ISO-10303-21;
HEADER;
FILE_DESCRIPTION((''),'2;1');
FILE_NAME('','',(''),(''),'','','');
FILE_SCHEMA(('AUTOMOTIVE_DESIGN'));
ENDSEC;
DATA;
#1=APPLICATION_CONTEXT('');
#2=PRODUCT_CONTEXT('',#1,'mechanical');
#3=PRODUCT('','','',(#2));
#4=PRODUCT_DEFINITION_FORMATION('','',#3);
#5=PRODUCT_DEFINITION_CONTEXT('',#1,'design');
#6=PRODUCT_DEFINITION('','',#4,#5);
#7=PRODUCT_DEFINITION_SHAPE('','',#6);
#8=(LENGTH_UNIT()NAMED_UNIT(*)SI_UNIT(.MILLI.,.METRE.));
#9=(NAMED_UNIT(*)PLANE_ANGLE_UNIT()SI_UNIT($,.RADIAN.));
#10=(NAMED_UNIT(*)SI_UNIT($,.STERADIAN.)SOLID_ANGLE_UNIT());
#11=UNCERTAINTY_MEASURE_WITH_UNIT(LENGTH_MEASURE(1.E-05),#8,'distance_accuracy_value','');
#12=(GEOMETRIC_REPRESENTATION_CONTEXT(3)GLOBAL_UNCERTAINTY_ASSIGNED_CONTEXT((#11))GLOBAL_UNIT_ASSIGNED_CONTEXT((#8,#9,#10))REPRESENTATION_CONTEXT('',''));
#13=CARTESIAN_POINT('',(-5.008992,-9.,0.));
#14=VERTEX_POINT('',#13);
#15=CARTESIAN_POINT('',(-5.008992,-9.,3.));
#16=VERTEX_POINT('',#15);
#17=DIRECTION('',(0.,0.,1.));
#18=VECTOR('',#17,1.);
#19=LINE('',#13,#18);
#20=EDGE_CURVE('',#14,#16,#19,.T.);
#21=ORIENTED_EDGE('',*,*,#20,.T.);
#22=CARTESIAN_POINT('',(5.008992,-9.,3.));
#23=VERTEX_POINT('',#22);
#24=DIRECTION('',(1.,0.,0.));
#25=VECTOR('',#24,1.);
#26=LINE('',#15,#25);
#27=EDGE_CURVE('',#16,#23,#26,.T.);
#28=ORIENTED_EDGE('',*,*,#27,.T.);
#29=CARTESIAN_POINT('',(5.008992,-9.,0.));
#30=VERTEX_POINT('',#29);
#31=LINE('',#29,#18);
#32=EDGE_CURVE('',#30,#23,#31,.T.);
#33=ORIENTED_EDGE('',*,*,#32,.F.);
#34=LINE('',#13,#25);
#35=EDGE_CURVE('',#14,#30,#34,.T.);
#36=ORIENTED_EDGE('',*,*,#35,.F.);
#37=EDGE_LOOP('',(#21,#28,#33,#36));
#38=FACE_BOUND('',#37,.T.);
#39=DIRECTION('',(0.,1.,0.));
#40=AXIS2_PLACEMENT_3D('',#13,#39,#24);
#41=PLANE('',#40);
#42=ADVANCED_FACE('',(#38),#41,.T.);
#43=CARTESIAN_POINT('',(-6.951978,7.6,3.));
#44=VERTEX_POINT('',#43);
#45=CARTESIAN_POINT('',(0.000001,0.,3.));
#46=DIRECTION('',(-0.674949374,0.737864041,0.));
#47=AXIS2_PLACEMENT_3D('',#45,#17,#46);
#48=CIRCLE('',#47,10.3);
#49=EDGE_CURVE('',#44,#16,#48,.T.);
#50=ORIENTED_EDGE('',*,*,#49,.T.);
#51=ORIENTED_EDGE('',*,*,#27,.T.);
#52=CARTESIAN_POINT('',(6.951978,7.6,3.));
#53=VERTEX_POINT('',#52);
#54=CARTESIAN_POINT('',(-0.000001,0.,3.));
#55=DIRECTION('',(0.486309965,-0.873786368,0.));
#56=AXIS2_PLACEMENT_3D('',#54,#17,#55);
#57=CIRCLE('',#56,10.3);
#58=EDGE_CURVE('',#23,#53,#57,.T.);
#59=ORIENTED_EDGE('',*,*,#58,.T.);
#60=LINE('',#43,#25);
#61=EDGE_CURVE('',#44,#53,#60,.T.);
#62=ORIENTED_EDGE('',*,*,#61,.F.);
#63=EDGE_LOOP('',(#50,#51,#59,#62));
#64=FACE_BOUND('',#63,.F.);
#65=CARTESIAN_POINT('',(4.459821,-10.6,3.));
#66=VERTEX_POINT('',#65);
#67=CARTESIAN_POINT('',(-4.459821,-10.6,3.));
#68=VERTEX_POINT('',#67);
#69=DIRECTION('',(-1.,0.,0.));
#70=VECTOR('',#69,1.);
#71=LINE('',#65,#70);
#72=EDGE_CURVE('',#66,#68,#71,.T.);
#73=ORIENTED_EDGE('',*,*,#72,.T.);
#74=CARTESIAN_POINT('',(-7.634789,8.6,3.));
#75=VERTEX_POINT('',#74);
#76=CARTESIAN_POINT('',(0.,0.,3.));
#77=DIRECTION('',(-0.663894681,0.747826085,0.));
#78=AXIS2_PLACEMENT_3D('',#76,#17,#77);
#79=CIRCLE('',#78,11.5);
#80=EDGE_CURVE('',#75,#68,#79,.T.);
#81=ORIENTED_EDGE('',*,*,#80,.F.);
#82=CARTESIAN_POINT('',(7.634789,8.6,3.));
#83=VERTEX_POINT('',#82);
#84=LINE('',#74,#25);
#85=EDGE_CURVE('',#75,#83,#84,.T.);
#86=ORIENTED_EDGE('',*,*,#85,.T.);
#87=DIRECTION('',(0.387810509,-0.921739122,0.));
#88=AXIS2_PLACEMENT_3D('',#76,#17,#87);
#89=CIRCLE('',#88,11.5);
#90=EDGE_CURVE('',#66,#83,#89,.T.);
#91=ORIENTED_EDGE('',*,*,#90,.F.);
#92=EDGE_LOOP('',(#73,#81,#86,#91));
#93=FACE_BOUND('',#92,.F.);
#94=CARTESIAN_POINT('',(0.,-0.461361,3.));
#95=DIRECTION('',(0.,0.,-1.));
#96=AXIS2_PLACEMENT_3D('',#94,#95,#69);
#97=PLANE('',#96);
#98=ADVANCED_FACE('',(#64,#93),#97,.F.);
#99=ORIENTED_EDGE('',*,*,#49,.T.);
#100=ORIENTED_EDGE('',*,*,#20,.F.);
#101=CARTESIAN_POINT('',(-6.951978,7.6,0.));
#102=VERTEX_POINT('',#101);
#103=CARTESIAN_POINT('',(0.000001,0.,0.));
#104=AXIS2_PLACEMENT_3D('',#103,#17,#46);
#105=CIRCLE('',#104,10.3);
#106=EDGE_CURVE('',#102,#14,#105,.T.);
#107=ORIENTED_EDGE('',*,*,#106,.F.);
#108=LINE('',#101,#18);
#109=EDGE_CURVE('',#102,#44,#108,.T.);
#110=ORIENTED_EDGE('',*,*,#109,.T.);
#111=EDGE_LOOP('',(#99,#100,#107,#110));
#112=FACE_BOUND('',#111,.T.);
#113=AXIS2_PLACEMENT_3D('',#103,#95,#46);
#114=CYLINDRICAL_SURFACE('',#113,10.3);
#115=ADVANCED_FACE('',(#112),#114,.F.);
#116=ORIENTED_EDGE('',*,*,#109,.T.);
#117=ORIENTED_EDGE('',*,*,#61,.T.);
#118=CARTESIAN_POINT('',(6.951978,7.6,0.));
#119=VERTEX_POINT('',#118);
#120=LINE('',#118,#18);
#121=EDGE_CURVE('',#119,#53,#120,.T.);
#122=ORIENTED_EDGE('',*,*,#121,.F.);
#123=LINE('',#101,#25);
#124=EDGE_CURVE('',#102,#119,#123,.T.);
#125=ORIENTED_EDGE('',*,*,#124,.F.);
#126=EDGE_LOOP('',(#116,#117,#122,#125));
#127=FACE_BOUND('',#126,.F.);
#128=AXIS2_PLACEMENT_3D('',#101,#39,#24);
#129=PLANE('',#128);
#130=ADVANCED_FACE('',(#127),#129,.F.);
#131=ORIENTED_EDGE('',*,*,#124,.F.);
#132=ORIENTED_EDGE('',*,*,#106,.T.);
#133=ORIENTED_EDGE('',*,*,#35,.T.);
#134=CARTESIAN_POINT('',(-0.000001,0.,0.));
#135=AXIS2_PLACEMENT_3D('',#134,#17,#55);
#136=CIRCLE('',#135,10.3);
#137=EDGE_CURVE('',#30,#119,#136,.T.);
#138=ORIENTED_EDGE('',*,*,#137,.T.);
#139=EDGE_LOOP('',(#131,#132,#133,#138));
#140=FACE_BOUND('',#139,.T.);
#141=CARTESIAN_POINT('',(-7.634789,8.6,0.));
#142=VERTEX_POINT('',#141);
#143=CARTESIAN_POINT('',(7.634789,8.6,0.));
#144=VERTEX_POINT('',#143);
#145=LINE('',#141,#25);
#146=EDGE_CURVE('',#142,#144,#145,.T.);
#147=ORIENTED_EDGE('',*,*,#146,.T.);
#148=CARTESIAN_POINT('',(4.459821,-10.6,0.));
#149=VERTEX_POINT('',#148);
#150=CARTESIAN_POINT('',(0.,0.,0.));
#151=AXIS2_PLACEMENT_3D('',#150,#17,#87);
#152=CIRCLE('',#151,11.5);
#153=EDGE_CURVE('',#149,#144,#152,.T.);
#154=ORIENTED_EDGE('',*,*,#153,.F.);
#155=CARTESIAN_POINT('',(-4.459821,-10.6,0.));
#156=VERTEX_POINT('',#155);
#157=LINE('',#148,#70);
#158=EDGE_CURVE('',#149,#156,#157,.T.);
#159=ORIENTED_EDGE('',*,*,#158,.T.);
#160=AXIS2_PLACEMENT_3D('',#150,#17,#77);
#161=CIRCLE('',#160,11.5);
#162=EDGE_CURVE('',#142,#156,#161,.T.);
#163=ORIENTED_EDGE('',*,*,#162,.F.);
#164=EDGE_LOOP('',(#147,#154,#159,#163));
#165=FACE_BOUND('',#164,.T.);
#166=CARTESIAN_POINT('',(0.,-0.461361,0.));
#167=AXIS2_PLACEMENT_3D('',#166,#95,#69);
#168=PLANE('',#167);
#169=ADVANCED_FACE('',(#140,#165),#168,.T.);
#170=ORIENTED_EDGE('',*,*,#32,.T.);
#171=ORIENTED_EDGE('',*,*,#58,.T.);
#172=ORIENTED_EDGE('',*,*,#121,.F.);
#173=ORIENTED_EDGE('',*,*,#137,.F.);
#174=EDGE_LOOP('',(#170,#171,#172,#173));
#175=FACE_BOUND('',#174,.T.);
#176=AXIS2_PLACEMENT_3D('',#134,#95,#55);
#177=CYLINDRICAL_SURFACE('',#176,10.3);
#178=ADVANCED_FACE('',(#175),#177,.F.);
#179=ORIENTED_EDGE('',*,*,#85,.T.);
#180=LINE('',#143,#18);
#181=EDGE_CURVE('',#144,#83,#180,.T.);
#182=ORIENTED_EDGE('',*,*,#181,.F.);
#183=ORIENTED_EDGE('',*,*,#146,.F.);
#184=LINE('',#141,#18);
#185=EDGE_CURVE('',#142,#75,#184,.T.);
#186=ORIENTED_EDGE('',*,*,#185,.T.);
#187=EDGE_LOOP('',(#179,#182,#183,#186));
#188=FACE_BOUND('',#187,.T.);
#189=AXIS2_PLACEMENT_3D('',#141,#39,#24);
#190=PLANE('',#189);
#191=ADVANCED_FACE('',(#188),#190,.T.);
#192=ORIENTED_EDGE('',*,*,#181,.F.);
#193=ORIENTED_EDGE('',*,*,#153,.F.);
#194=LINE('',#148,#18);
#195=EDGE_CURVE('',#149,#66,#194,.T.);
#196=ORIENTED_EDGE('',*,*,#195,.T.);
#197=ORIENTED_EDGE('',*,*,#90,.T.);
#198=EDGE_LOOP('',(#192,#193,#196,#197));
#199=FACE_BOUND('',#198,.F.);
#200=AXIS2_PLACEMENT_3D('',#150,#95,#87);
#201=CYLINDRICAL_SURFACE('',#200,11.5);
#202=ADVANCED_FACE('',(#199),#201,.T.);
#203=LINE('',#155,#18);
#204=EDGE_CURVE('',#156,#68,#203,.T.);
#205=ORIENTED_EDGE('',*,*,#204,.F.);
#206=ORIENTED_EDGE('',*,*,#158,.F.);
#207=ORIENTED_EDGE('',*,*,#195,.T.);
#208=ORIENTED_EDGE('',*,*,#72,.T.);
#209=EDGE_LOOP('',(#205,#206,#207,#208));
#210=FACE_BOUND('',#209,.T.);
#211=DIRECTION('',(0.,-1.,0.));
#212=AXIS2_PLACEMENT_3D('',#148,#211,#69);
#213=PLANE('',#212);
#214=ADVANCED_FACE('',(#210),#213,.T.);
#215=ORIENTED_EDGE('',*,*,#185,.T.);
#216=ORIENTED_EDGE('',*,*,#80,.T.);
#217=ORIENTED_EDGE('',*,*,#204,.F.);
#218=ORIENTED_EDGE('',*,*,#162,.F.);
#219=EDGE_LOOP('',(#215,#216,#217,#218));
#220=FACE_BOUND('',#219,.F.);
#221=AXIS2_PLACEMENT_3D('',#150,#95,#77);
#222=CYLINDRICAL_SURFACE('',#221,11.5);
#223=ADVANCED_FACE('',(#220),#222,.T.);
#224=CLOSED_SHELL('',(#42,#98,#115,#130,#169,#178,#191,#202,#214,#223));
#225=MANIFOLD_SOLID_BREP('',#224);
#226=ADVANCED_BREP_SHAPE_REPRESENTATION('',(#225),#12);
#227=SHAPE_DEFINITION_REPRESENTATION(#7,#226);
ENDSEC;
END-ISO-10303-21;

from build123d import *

# Parameters (mm, degrees)
PAD_DEPTH = 3


with BuildPart() as part:
    # Sketch → Pad (new body)
    with BuildSketch(Plane.XY):
        with BuildLine():
            Line((-7.634789, 8.6), (7.634789, 8.6))
            ThreePointArc((4.459821, -10.6), (11.34592, -1.876194), (7.634789, 8.6))
            Line((4.459821, -10.6), (-4.459821, -10.6))
            ThreePointArc((-7.634789, 8.6), (-11.34592, -1.876194), (-4.459821, -10.6))
        make_face()
        with BuildLine():
            ThreePointArc((-6.951978, 7.6), (-10.230161, -1.197413), (-5.008992, -9))
            Line((-5.008992, -9), (5.008992, -9))
            ThreePointArc((5.008992, -9), (10.230161, -1.197413), (6.951978, 7.6))
            Line((-6.951978, 7.6), (6.951978, 7.6))
        make_face(mode=Mode.SUBTRACT)
    extrude(amount=PAD_DEPTH)


solid = part.part
